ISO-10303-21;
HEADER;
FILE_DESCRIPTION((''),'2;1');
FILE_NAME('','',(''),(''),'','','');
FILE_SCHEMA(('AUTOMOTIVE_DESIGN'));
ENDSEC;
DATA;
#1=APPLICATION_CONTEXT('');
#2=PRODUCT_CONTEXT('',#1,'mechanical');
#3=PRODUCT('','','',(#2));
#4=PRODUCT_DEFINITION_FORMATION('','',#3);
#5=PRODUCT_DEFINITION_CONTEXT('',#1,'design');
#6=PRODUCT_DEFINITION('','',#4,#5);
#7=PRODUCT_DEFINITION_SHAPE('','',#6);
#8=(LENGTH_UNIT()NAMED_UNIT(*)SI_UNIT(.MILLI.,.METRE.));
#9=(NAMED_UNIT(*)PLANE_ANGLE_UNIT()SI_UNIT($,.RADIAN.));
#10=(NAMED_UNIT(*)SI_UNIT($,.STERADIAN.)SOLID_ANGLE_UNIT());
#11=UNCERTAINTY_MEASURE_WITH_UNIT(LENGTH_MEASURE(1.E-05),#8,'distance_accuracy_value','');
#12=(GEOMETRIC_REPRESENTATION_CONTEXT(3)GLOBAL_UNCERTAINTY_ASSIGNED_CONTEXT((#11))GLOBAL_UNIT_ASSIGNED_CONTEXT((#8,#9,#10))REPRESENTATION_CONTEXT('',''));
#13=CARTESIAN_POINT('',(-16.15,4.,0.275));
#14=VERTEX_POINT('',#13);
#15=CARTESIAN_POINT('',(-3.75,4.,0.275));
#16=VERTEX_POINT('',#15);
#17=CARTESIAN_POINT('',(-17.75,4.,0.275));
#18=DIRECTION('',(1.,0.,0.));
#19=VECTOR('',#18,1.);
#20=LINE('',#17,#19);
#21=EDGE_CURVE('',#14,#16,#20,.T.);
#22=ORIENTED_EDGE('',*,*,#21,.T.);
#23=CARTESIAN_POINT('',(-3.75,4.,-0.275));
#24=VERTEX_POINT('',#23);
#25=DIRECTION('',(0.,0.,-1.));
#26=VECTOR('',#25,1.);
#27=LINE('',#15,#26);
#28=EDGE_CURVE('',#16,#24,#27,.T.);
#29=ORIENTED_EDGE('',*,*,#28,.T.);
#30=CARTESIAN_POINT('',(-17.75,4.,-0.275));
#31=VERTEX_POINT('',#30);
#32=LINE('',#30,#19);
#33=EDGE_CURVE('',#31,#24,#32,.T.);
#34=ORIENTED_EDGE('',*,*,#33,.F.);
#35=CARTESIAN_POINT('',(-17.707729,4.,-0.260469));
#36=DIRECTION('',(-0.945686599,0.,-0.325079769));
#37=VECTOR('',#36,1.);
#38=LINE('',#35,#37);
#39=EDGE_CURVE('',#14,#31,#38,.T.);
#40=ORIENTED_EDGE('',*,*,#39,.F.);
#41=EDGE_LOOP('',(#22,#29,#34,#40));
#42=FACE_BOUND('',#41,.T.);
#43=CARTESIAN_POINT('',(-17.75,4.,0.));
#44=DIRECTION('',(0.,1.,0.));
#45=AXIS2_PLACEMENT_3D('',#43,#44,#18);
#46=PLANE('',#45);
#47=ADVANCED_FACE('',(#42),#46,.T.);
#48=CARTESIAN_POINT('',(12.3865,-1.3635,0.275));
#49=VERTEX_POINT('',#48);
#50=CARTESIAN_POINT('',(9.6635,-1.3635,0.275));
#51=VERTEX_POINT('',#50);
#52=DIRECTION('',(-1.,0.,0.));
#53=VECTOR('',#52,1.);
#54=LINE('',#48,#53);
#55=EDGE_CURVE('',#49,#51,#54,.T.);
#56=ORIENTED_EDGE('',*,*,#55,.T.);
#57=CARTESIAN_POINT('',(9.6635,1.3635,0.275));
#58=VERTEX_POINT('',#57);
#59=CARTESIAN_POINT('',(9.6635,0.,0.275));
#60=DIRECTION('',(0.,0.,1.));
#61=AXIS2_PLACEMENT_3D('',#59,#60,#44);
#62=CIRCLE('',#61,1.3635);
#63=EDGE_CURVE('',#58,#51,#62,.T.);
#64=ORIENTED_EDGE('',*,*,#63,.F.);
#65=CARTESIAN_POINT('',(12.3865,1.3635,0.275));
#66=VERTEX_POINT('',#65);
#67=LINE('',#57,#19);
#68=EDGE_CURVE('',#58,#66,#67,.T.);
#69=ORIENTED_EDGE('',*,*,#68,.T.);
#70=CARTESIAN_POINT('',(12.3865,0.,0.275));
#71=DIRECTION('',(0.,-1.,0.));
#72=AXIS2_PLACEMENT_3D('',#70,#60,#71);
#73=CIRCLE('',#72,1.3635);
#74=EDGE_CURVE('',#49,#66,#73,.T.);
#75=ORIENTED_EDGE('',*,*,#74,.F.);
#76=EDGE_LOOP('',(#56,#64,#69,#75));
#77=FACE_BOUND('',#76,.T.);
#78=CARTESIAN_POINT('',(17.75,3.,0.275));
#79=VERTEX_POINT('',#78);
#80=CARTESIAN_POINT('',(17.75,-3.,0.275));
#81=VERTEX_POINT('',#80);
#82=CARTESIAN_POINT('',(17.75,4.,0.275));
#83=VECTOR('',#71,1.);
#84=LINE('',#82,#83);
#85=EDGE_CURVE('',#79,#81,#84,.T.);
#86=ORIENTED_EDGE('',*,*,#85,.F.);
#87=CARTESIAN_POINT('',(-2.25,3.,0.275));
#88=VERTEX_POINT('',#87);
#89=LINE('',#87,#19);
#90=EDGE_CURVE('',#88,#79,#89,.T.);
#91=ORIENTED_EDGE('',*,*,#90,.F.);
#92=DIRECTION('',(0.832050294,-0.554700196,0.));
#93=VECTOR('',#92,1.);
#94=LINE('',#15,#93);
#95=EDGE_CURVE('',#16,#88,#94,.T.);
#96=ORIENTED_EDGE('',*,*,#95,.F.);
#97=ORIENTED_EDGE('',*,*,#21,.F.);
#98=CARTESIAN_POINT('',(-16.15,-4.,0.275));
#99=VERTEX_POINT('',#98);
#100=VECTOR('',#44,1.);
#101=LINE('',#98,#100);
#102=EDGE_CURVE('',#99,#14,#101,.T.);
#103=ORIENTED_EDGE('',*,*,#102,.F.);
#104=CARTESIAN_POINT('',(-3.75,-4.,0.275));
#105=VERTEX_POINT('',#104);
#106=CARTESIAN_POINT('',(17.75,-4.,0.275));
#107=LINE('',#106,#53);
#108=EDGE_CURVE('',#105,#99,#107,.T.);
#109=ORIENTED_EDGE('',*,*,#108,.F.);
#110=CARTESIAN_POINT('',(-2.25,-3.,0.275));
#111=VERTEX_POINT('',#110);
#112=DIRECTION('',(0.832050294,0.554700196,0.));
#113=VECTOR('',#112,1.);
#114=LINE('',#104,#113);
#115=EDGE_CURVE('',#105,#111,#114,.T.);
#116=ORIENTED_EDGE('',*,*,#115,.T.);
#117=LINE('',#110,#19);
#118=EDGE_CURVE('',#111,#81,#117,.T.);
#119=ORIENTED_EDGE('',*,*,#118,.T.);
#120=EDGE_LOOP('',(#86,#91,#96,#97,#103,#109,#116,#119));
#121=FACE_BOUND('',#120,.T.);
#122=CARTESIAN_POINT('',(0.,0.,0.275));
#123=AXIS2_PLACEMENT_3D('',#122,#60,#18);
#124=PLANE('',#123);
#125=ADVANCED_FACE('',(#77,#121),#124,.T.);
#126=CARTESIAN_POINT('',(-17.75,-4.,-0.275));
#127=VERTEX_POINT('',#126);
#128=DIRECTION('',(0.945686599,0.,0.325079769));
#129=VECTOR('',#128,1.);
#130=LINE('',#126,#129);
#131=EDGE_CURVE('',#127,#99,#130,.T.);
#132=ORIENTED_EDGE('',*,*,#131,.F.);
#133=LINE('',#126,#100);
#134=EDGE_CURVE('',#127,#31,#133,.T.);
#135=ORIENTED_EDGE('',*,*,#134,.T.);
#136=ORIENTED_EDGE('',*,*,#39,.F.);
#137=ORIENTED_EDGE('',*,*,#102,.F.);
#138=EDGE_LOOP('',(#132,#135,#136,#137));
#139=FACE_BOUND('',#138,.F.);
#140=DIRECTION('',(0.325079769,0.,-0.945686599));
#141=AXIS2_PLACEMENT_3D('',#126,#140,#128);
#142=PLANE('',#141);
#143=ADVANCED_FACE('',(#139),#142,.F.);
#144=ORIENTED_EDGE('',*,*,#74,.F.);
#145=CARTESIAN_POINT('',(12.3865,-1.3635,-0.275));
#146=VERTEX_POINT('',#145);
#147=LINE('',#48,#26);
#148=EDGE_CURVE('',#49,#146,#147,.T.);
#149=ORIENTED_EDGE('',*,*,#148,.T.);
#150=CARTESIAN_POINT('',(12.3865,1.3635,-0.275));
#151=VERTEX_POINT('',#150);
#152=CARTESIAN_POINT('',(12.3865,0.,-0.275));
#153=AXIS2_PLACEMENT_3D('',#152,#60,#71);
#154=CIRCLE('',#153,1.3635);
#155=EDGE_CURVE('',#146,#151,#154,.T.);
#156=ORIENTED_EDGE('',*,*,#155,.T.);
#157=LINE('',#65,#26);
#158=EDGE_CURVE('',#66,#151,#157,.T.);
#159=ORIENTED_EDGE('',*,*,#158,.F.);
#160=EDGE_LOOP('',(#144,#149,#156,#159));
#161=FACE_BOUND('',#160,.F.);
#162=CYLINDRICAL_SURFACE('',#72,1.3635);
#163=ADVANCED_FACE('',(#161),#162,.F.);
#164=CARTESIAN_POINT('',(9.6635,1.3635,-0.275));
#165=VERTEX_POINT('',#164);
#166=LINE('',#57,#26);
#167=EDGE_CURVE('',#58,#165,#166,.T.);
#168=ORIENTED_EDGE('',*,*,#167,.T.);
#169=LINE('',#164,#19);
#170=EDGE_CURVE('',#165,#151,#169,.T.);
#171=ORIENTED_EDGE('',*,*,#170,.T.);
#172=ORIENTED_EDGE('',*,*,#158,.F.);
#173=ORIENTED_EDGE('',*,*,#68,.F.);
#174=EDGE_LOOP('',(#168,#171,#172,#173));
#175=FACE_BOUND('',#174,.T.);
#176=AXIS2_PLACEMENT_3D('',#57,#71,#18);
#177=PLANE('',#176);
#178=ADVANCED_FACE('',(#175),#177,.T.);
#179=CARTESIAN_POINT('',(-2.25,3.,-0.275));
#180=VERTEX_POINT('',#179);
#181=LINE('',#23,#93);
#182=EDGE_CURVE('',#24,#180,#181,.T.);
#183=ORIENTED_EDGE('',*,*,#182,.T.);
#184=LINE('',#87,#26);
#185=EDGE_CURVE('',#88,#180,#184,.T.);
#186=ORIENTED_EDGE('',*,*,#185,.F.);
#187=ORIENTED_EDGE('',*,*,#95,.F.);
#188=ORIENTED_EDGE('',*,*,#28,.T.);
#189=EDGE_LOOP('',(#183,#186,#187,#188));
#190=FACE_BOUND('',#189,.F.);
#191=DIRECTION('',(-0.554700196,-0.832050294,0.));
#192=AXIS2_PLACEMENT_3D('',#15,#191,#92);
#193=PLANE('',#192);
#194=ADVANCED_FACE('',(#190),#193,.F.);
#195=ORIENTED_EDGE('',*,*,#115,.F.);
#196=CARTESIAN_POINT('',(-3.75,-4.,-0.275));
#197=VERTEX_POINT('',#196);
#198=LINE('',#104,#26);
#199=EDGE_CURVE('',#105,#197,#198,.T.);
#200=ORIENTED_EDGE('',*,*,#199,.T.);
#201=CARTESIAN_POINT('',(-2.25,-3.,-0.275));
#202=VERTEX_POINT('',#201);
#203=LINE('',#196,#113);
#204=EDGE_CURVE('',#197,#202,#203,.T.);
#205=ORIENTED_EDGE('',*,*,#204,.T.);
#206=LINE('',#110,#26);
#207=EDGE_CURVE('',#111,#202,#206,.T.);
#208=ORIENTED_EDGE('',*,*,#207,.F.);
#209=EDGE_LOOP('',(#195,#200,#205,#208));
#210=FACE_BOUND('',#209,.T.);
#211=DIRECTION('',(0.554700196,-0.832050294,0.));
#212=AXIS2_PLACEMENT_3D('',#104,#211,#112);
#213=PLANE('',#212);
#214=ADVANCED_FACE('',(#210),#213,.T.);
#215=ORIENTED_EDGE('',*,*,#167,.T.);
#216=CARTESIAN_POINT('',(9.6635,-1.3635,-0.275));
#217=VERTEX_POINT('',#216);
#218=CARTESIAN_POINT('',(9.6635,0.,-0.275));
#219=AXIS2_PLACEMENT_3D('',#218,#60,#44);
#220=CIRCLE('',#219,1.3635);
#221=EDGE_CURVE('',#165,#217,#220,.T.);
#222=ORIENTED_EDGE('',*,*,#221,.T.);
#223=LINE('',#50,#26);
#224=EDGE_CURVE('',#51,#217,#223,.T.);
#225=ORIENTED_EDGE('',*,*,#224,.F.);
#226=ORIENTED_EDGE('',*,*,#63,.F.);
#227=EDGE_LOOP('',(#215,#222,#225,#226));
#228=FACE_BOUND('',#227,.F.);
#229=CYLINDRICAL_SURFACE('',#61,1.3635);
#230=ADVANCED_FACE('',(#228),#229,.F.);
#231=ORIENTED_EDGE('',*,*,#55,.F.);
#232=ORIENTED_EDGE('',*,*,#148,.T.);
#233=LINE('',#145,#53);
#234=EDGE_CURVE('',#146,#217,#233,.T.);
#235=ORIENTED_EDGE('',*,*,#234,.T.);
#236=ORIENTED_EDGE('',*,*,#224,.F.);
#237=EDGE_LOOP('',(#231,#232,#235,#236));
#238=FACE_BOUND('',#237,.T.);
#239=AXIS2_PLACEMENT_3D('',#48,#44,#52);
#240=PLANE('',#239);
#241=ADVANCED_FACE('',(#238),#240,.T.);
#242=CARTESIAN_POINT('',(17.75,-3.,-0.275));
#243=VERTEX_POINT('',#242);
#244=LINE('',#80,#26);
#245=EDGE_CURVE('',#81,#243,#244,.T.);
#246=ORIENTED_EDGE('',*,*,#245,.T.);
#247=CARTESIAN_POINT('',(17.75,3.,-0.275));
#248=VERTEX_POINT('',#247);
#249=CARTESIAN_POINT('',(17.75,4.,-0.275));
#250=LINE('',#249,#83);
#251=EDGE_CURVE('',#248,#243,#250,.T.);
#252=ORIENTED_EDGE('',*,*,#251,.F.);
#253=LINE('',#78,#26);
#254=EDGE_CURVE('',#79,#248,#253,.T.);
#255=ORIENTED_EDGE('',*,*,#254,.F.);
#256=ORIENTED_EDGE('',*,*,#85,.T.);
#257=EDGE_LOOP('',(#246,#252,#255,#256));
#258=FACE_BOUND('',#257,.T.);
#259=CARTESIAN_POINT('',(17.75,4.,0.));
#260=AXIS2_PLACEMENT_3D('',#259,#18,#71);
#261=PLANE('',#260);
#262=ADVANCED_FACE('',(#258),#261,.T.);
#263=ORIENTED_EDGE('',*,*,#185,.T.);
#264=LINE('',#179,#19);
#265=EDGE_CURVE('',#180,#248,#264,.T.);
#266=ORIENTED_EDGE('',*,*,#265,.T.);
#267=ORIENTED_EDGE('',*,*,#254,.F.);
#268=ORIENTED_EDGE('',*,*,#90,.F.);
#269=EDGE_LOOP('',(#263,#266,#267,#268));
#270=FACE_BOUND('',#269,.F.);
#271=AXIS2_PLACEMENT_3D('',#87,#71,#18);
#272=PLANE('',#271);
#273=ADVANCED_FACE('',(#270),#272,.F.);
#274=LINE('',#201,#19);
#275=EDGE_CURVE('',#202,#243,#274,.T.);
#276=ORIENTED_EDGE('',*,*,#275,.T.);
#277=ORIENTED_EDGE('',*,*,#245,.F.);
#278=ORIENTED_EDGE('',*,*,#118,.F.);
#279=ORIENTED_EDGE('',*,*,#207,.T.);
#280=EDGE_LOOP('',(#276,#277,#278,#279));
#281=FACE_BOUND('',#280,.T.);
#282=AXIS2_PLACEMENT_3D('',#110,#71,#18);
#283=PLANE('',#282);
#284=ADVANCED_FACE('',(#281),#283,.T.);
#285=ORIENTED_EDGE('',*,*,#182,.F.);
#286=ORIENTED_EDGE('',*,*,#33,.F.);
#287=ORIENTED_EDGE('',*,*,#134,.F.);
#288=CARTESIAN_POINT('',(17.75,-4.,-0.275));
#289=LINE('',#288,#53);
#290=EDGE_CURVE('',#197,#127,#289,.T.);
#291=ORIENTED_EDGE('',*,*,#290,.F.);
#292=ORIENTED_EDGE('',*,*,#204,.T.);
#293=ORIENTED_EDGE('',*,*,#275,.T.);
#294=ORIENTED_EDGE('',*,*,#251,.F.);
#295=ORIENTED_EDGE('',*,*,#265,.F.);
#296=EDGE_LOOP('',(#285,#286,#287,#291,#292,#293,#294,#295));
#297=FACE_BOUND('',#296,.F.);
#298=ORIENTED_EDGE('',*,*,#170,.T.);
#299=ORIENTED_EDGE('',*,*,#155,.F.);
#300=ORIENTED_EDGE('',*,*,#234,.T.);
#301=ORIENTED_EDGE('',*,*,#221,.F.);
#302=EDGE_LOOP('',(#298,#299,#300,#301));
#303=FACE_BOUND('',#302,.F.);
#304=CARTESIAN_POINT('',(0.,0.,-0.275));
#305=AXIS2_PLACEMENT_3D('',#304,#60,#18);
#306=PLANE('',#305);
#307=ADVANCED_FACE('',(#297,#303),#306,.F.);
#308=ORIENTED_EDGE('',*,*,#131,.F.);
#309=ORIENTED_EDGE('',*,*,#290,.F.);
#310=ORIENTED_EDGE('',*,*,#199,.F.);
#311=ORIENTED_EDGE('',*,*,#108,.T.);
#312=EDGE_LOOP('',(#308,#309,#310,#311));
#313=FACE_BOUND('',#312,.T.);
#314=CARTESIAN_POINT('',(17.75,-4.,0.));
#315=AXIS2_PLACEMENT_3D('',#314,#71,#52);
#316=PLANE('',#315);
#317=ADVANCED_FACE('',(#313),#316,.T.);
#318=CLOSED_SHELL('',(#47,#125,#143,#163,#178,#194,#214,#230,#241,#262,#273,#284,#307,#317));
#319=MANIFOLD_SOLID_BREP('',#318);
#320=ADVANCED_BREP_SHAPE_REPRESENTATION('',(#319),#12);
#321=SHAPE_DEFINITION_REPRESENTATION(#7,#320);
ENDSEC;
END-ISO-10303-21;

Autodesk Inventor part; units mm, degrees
ref_plane "YZ Plane" through (0, 0, 0) normal (1, 0, 0) x (0, 1, 0)
ref_plane "XZ Plane" through (0, 0, 0) normal (0, 1, 0) x (-1, 0, 0)
ref_plane "XY Plane" through (0, 0, 0) normal (0, 0, 1) x (1, 0, 0)
sketch "スケッチ1" plane through (0, 0, 0) normal (0, 0, 1) x (1, 0, 0)
  line L0 (-17.75, 4) -> (17.75, 4)
  line L1 (17.75, 4) -> (17.75, -4)
  line L2 (17.75, -4) -> (-17.75, -4)
  line L3 (-17.75, -4) -> (-17.75, 4)
  line L4 (-17.75, 4) -> (17.75, -4) construction
  line L5 (17.75, 4) -> (-17.75, -4) construction
  point P0 (0, 0)
  dimension "d0" = 35.5
  dimension "d1" = 8
extrude "押し出し1" add sketch "スケッチ1" along normal mid plane 0.55
sketch "スケッチ2" plane through (0, 0, 0.275) normal (0, 0, 1) x (1, 0, 0)
  line L0 (9.6635, 0) -> (12.3865, 0) construction
  line L1 (9.6635, 1.3635) -> (12.3865, 1.3635)
  line L2 (12.3865, -1.3635) -> (9.6635, -1.3635)
  arc A0 (9.6635, 1.3635) -> (9.6635, -1.3635) centre (9.6635, 0) ccw
  arc A1 (12.3865, -1.3635) -> (12.3865, 1.3635) centre (12.3865, 0) ccw
  line L3 (17.75, -4) -> (17.75, 4) projected
  line L4 (17.75, 4) -> (-17.75, 4) projected
  point P0 (0, 0)
  point P1 (11.025, 0)
  point P2 (13.75, 0)
  point P3 (8.3, 0)
  dimension "d4" = 2.727
  dimension "d5" = 5.45
  dimension "d6" = 4
  dimension "d7" = 4
extrude "押し出し2" cut sketch "スケッチ2" against normal blind 0.55
sketch "スケッチ3" plane through (0, 0, 0.275) normal (0, 0, 1) x (1, 0, 0)
  line L0 (-17.75, 4) -> (17.75, 4) projected
  line L1 (17.75, 4) -> (17.75, -4) projected
  line L2 (-17.75, 4) -> (-17.75, -4) projected
  line L3 (-2.25, 3) -> (17.75, 3)
  line L4 (-3.75, 4) -> (-2.25, 3)
  line L5 (0, 0) -> (-1.8887, 0)
  line L6 (-2.25, -3) -> (17.75, -3)
  line L7 (-3.75, -4) -> (-2.25, -3)
  arc A0 (9.6635, 1.3635) -> (9.6635, -1.3635) centre (9.6635, 0) ccw projected
  line L8 (9.6635, 1.3635) -> (12.3865, 1.3635) projected
  arc A1 (12.3865, -1.3635) -> (12.3865, 1.3635) centre (12.3865, 0) ccw projected
  line L9 (12.3865, -1.3635) -> (9.6635, -1.3635) projected
  line L10 (-17.75, -4) -> (17.75, -4) projected
  line L11 (17.75, -4) -> (17.75, 4) projected
  line L12 (17.75, 4) -> (-17.75, 4) projected
  line L13 (-17.75, 4) -> (-17.75, -4) projected
  dimension "d10" = 1
  dimension "d11" = 14
  dimension "d12" = 20
extrude "押し出し3" cut sketch "スケッチ3" against normal blind 0.55 contours L0 L1 L3 L4 | L7 L6 L1 L10
sketch "スケッチ4" plane through (-17.75, -4, -0.275) normal (0, -1, 0) x (1, 0, 0)
  line L0 (0, 0.55) -> (14, 0.55) projected
  line L1 (0, 0.55) -> (0, 0) projected
  line L2 (0, 0) -> (1.6, 0.55)
  point P0 (17.75, 0.275)
  dimension "d15" = 1.6
extrude "押し出し4" cut sketch "スケッチ4" against normal through all
properties part number "pen_type_cutter"
